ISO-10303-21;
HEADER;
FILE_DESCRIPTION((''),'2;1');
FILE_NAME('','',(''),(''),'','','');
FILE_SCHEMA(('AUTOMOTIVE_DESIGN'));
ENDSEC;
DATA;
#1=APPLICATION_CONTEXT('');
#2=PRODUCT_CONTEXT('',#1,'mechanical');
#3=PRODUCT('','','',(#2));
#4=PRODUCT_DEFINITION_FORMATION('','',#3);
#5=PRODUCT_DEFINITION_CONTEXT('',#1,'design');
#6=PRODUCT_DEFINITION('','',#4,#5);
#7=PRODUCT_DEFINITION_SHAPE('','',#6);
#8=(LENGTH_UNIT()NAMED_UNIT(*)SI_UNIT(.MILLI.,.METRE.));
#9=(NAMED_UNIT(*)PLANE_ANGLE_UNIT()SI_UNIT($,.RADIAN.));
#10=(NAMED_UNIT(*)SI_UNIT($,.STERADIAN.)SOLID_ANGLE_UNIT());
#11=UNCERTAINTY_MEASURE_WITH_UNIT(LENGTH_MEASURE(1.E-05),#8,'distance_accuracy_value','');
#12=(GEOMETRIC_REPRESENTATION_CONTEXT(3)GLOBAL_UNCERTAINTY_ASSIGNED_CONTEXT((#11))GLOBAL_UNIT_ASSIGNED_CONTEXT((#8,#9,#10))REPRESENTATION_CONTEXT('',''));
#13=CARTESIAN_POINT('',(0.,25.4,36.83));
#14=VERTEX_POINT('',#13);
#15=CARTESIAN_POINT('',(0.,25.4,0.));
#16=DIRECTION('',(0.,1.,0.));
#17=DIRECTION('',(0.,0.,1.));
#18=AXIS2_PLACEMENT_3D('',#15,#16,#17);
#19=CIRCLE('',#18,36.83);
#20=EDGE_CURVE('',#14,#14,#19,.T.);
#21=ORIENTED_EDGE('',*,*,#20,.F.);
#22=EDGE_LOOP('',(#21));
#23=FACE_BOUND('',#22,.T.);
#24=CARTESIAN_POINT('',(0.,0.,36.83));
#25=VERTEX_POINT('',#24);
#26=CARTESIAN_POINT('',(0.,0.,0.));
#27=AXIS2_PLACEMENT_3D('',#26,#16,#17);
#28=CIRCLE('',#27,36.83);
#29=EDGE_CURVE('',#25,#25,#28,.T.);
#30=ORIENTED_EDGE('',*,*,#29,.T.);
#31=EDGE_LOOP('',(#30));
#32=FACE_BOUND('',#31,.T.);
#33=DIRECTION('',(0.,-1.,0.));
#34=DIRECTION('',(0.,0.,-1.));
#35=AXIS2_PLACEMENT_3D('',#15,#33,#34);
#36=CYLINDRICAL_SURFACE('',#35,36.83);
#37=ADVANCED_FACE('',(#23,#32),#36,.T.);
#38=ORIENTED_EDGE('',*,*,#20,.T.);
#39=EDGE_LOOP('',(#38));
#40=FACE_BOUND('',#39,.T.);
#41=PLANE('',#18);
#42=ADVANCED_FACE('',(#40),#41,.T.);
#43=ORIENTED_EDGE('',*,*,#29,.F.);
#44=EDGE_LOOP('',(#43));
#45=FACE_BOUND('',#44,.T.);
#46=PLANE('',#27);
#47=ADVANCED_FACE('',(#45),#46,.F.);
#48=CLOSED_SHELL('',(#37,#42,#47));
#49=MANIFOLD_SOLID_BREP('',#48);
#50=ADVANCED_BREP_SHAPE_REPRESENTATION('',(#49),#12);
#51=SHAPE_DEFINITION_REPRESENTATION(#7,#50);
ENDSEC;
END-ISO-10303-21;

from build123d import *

# Parameters (mm, degrees)
SKETCH1_R           = 36.83
BOSS_EXTRUDE1_DEPTH = 25.4


with BuildPart() as part:
    # Sketch1 → Boss-Extrude1 (new body)
    with BuildSketch(Plane(origin=(0, 0, 0), x_dir=(1, 0, 0), z_dir=(0, 1, 0))):
        Circle(SKETCH1_R)
    extrude(amount=BOSS_EXTRUDE1_DEPTH)


solid = part.part
